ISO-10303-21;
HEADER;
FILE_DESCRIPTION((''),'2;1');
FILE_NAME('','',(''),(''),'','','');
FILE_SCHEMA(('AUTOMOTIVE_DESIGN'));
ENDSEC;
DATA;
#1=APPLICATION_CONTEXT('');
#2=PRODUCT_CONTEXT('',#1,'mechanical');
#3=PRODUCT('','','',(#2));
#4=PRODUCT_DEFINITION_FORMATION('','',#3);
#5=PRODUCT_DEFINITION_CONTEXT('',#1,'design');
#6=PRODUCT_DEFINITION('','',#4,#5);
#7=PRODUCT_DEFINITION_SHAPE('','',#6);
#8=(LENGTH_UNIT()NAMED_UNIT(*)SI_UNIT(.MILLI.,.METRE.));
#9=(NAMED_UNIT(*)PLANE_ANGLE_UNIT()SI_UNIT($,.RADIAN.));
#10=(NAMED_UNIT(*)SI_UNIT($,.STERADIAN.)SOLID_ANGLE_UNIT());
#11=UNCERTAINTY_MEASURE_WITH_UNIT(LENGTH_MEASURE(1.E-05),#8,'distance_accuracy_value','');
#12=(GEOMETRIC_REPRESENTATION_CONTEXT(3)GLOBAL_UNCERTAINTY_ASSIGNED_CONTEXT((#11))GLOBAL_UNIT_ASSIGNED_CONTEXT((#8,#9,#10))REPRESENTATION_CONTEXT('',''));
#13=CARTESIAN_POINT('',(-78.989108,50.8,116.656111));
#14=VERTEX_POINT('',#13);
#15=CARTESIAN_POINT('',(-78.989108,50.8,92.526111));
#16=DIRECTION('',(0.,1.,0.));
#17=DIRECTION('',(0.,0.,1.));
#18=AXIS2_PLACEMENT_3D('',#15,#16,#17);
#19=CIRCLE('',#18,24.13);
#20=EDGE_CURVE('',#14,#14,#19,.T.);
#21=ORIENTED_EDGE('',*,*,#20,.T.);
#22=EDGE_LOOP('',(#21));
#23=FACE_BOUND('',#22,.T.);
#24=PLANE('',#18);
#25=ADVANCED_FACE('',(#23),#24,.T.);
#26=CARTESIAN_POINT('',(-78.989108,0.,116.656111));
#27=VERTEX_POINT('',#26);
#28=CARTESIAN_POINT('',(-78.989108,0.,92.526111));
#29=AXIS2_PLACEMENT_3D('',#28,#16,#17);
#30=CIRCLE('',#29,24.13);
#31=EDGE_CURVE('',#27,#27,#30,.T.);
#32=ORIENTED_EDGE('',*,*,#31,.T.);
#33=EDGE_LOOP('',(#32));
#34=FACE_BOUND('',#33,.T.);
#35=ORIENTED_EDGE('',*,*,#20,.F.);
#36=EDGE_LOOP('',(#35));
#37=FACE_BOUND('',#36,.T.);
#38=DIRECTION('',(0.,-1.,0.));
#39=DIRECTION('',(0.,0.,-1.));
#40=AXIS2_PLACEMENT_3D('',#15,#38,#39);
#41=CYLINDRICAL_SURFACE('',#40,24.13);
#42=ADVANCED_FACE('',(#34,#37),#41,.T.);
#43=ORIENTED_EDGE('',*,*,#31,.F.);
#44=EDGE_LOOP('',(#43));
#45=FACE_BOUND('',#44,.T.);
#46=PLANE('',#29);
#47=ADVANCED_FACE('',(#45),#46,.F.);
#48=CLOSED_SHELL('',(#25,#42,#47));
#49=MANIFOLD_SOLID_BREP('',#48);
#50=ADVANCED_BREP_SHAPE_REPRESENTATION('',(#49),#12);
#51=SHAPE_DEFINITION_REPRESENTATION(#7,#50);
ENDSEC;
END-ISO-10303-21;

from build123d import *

# Parameters (mm, degrees)
SKETCH1_R           = 24.13
BOSS_EXTRUDE2_DEPTH = 50.8


with BuildPart() as part:
    # Sketch1 → Boss-Extrude2 (new body)
    with BuildSketch(Plane(origin=(0, 0, 0), x_dir=(1, 0, 0), z_dir=(0, 1, 0))):
        with Locations((-78.989108214, -92.526110859)):
            Circle(SKETCH1_R)
    extrude(amount=BOSS_EXTRUDE2_DEPTH)


solid = part.part
